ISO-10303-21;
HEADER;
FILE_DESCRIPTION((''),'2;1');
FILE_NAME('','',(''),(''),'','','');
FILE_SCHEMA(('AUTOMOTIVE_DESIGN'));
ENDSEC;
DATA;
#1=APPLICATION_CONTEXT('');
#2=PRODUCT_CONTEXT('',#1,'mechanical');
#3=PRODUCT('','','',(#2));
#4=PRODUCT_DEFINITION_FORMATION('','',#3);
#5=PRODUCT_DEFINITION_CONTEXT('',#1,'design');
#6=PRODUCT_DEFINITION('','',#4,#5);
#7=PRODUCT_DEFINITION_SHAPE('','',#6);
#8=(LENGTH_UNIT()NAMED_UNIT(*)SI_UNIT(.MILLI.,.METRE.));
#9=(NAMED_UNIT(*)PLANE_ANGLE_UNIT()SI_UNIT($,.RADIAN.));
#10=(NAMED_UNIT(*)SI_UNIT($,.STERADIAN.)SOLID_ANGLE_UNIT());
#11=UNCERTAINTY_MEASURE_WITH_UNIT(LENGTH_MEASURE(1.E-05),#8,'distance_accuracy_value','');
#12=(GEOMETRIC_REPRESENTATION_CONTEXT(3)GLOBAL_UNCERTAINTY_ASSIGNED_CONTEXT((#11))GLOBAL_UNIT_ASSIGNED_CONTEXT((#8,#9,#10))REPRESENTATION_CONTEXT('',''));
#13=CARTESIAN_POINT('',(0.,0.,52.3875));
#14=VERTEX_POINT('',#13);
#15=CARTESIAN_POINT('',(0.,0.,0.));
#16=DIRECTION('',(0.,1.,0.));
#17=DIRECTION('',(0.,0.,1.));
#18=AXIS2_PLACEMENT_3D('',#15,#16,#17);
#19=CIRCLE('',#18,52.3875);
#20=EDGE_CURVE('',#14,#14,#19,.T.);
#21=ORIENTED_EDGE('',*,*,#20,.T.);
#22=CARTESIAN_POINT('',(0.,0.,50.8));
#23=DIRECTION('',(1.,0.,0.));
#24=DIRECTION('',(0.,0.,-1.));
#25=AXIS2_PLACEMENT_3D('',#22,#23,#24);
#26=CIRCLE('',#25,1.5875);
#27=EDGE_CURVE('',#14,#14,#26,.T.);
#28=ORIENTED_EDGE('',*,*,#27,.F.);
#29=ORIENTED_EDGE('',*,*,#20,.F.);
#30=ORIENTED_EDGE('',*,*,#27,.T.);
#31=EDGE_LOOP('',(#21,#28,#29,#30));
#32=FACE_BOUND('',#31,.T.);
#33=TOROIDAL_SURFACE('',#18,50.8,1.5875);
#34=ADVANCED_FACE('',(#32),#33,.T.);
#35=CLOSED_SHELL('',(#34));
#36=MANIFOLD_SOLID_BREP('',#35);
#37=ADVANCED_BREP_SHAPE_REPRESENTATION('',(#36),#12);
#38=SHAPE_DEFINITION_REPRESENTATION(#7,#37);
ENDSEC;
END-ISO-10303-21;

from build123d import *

# Parameters (mm, degrees)
SWEEP2_PROFILE_R = 1.5875


with BuildPart() as part:
    # Sweep2: sweep along a path in Sketch2
    with BuildLine(Plane(origin=(0, 0, 0), x_dir=(1, 0, 0), z_dir=(0, 1, 0))) as sweep2_path:
        CenterArc((0, 0), 50.8, 0, 360)
    # Sweep2 profile (on start of the path) → Sweep2 (sweep)
    with BuildSketch(Plane(origin=(50.8, 0, 0), x_dir=(-1, 0, 0), z_dir=(0, 0, -1))):
        Circle(SWEEP2_PROFILE_R)
    sweep(path=sweep2_path.line)


solid = part.part
